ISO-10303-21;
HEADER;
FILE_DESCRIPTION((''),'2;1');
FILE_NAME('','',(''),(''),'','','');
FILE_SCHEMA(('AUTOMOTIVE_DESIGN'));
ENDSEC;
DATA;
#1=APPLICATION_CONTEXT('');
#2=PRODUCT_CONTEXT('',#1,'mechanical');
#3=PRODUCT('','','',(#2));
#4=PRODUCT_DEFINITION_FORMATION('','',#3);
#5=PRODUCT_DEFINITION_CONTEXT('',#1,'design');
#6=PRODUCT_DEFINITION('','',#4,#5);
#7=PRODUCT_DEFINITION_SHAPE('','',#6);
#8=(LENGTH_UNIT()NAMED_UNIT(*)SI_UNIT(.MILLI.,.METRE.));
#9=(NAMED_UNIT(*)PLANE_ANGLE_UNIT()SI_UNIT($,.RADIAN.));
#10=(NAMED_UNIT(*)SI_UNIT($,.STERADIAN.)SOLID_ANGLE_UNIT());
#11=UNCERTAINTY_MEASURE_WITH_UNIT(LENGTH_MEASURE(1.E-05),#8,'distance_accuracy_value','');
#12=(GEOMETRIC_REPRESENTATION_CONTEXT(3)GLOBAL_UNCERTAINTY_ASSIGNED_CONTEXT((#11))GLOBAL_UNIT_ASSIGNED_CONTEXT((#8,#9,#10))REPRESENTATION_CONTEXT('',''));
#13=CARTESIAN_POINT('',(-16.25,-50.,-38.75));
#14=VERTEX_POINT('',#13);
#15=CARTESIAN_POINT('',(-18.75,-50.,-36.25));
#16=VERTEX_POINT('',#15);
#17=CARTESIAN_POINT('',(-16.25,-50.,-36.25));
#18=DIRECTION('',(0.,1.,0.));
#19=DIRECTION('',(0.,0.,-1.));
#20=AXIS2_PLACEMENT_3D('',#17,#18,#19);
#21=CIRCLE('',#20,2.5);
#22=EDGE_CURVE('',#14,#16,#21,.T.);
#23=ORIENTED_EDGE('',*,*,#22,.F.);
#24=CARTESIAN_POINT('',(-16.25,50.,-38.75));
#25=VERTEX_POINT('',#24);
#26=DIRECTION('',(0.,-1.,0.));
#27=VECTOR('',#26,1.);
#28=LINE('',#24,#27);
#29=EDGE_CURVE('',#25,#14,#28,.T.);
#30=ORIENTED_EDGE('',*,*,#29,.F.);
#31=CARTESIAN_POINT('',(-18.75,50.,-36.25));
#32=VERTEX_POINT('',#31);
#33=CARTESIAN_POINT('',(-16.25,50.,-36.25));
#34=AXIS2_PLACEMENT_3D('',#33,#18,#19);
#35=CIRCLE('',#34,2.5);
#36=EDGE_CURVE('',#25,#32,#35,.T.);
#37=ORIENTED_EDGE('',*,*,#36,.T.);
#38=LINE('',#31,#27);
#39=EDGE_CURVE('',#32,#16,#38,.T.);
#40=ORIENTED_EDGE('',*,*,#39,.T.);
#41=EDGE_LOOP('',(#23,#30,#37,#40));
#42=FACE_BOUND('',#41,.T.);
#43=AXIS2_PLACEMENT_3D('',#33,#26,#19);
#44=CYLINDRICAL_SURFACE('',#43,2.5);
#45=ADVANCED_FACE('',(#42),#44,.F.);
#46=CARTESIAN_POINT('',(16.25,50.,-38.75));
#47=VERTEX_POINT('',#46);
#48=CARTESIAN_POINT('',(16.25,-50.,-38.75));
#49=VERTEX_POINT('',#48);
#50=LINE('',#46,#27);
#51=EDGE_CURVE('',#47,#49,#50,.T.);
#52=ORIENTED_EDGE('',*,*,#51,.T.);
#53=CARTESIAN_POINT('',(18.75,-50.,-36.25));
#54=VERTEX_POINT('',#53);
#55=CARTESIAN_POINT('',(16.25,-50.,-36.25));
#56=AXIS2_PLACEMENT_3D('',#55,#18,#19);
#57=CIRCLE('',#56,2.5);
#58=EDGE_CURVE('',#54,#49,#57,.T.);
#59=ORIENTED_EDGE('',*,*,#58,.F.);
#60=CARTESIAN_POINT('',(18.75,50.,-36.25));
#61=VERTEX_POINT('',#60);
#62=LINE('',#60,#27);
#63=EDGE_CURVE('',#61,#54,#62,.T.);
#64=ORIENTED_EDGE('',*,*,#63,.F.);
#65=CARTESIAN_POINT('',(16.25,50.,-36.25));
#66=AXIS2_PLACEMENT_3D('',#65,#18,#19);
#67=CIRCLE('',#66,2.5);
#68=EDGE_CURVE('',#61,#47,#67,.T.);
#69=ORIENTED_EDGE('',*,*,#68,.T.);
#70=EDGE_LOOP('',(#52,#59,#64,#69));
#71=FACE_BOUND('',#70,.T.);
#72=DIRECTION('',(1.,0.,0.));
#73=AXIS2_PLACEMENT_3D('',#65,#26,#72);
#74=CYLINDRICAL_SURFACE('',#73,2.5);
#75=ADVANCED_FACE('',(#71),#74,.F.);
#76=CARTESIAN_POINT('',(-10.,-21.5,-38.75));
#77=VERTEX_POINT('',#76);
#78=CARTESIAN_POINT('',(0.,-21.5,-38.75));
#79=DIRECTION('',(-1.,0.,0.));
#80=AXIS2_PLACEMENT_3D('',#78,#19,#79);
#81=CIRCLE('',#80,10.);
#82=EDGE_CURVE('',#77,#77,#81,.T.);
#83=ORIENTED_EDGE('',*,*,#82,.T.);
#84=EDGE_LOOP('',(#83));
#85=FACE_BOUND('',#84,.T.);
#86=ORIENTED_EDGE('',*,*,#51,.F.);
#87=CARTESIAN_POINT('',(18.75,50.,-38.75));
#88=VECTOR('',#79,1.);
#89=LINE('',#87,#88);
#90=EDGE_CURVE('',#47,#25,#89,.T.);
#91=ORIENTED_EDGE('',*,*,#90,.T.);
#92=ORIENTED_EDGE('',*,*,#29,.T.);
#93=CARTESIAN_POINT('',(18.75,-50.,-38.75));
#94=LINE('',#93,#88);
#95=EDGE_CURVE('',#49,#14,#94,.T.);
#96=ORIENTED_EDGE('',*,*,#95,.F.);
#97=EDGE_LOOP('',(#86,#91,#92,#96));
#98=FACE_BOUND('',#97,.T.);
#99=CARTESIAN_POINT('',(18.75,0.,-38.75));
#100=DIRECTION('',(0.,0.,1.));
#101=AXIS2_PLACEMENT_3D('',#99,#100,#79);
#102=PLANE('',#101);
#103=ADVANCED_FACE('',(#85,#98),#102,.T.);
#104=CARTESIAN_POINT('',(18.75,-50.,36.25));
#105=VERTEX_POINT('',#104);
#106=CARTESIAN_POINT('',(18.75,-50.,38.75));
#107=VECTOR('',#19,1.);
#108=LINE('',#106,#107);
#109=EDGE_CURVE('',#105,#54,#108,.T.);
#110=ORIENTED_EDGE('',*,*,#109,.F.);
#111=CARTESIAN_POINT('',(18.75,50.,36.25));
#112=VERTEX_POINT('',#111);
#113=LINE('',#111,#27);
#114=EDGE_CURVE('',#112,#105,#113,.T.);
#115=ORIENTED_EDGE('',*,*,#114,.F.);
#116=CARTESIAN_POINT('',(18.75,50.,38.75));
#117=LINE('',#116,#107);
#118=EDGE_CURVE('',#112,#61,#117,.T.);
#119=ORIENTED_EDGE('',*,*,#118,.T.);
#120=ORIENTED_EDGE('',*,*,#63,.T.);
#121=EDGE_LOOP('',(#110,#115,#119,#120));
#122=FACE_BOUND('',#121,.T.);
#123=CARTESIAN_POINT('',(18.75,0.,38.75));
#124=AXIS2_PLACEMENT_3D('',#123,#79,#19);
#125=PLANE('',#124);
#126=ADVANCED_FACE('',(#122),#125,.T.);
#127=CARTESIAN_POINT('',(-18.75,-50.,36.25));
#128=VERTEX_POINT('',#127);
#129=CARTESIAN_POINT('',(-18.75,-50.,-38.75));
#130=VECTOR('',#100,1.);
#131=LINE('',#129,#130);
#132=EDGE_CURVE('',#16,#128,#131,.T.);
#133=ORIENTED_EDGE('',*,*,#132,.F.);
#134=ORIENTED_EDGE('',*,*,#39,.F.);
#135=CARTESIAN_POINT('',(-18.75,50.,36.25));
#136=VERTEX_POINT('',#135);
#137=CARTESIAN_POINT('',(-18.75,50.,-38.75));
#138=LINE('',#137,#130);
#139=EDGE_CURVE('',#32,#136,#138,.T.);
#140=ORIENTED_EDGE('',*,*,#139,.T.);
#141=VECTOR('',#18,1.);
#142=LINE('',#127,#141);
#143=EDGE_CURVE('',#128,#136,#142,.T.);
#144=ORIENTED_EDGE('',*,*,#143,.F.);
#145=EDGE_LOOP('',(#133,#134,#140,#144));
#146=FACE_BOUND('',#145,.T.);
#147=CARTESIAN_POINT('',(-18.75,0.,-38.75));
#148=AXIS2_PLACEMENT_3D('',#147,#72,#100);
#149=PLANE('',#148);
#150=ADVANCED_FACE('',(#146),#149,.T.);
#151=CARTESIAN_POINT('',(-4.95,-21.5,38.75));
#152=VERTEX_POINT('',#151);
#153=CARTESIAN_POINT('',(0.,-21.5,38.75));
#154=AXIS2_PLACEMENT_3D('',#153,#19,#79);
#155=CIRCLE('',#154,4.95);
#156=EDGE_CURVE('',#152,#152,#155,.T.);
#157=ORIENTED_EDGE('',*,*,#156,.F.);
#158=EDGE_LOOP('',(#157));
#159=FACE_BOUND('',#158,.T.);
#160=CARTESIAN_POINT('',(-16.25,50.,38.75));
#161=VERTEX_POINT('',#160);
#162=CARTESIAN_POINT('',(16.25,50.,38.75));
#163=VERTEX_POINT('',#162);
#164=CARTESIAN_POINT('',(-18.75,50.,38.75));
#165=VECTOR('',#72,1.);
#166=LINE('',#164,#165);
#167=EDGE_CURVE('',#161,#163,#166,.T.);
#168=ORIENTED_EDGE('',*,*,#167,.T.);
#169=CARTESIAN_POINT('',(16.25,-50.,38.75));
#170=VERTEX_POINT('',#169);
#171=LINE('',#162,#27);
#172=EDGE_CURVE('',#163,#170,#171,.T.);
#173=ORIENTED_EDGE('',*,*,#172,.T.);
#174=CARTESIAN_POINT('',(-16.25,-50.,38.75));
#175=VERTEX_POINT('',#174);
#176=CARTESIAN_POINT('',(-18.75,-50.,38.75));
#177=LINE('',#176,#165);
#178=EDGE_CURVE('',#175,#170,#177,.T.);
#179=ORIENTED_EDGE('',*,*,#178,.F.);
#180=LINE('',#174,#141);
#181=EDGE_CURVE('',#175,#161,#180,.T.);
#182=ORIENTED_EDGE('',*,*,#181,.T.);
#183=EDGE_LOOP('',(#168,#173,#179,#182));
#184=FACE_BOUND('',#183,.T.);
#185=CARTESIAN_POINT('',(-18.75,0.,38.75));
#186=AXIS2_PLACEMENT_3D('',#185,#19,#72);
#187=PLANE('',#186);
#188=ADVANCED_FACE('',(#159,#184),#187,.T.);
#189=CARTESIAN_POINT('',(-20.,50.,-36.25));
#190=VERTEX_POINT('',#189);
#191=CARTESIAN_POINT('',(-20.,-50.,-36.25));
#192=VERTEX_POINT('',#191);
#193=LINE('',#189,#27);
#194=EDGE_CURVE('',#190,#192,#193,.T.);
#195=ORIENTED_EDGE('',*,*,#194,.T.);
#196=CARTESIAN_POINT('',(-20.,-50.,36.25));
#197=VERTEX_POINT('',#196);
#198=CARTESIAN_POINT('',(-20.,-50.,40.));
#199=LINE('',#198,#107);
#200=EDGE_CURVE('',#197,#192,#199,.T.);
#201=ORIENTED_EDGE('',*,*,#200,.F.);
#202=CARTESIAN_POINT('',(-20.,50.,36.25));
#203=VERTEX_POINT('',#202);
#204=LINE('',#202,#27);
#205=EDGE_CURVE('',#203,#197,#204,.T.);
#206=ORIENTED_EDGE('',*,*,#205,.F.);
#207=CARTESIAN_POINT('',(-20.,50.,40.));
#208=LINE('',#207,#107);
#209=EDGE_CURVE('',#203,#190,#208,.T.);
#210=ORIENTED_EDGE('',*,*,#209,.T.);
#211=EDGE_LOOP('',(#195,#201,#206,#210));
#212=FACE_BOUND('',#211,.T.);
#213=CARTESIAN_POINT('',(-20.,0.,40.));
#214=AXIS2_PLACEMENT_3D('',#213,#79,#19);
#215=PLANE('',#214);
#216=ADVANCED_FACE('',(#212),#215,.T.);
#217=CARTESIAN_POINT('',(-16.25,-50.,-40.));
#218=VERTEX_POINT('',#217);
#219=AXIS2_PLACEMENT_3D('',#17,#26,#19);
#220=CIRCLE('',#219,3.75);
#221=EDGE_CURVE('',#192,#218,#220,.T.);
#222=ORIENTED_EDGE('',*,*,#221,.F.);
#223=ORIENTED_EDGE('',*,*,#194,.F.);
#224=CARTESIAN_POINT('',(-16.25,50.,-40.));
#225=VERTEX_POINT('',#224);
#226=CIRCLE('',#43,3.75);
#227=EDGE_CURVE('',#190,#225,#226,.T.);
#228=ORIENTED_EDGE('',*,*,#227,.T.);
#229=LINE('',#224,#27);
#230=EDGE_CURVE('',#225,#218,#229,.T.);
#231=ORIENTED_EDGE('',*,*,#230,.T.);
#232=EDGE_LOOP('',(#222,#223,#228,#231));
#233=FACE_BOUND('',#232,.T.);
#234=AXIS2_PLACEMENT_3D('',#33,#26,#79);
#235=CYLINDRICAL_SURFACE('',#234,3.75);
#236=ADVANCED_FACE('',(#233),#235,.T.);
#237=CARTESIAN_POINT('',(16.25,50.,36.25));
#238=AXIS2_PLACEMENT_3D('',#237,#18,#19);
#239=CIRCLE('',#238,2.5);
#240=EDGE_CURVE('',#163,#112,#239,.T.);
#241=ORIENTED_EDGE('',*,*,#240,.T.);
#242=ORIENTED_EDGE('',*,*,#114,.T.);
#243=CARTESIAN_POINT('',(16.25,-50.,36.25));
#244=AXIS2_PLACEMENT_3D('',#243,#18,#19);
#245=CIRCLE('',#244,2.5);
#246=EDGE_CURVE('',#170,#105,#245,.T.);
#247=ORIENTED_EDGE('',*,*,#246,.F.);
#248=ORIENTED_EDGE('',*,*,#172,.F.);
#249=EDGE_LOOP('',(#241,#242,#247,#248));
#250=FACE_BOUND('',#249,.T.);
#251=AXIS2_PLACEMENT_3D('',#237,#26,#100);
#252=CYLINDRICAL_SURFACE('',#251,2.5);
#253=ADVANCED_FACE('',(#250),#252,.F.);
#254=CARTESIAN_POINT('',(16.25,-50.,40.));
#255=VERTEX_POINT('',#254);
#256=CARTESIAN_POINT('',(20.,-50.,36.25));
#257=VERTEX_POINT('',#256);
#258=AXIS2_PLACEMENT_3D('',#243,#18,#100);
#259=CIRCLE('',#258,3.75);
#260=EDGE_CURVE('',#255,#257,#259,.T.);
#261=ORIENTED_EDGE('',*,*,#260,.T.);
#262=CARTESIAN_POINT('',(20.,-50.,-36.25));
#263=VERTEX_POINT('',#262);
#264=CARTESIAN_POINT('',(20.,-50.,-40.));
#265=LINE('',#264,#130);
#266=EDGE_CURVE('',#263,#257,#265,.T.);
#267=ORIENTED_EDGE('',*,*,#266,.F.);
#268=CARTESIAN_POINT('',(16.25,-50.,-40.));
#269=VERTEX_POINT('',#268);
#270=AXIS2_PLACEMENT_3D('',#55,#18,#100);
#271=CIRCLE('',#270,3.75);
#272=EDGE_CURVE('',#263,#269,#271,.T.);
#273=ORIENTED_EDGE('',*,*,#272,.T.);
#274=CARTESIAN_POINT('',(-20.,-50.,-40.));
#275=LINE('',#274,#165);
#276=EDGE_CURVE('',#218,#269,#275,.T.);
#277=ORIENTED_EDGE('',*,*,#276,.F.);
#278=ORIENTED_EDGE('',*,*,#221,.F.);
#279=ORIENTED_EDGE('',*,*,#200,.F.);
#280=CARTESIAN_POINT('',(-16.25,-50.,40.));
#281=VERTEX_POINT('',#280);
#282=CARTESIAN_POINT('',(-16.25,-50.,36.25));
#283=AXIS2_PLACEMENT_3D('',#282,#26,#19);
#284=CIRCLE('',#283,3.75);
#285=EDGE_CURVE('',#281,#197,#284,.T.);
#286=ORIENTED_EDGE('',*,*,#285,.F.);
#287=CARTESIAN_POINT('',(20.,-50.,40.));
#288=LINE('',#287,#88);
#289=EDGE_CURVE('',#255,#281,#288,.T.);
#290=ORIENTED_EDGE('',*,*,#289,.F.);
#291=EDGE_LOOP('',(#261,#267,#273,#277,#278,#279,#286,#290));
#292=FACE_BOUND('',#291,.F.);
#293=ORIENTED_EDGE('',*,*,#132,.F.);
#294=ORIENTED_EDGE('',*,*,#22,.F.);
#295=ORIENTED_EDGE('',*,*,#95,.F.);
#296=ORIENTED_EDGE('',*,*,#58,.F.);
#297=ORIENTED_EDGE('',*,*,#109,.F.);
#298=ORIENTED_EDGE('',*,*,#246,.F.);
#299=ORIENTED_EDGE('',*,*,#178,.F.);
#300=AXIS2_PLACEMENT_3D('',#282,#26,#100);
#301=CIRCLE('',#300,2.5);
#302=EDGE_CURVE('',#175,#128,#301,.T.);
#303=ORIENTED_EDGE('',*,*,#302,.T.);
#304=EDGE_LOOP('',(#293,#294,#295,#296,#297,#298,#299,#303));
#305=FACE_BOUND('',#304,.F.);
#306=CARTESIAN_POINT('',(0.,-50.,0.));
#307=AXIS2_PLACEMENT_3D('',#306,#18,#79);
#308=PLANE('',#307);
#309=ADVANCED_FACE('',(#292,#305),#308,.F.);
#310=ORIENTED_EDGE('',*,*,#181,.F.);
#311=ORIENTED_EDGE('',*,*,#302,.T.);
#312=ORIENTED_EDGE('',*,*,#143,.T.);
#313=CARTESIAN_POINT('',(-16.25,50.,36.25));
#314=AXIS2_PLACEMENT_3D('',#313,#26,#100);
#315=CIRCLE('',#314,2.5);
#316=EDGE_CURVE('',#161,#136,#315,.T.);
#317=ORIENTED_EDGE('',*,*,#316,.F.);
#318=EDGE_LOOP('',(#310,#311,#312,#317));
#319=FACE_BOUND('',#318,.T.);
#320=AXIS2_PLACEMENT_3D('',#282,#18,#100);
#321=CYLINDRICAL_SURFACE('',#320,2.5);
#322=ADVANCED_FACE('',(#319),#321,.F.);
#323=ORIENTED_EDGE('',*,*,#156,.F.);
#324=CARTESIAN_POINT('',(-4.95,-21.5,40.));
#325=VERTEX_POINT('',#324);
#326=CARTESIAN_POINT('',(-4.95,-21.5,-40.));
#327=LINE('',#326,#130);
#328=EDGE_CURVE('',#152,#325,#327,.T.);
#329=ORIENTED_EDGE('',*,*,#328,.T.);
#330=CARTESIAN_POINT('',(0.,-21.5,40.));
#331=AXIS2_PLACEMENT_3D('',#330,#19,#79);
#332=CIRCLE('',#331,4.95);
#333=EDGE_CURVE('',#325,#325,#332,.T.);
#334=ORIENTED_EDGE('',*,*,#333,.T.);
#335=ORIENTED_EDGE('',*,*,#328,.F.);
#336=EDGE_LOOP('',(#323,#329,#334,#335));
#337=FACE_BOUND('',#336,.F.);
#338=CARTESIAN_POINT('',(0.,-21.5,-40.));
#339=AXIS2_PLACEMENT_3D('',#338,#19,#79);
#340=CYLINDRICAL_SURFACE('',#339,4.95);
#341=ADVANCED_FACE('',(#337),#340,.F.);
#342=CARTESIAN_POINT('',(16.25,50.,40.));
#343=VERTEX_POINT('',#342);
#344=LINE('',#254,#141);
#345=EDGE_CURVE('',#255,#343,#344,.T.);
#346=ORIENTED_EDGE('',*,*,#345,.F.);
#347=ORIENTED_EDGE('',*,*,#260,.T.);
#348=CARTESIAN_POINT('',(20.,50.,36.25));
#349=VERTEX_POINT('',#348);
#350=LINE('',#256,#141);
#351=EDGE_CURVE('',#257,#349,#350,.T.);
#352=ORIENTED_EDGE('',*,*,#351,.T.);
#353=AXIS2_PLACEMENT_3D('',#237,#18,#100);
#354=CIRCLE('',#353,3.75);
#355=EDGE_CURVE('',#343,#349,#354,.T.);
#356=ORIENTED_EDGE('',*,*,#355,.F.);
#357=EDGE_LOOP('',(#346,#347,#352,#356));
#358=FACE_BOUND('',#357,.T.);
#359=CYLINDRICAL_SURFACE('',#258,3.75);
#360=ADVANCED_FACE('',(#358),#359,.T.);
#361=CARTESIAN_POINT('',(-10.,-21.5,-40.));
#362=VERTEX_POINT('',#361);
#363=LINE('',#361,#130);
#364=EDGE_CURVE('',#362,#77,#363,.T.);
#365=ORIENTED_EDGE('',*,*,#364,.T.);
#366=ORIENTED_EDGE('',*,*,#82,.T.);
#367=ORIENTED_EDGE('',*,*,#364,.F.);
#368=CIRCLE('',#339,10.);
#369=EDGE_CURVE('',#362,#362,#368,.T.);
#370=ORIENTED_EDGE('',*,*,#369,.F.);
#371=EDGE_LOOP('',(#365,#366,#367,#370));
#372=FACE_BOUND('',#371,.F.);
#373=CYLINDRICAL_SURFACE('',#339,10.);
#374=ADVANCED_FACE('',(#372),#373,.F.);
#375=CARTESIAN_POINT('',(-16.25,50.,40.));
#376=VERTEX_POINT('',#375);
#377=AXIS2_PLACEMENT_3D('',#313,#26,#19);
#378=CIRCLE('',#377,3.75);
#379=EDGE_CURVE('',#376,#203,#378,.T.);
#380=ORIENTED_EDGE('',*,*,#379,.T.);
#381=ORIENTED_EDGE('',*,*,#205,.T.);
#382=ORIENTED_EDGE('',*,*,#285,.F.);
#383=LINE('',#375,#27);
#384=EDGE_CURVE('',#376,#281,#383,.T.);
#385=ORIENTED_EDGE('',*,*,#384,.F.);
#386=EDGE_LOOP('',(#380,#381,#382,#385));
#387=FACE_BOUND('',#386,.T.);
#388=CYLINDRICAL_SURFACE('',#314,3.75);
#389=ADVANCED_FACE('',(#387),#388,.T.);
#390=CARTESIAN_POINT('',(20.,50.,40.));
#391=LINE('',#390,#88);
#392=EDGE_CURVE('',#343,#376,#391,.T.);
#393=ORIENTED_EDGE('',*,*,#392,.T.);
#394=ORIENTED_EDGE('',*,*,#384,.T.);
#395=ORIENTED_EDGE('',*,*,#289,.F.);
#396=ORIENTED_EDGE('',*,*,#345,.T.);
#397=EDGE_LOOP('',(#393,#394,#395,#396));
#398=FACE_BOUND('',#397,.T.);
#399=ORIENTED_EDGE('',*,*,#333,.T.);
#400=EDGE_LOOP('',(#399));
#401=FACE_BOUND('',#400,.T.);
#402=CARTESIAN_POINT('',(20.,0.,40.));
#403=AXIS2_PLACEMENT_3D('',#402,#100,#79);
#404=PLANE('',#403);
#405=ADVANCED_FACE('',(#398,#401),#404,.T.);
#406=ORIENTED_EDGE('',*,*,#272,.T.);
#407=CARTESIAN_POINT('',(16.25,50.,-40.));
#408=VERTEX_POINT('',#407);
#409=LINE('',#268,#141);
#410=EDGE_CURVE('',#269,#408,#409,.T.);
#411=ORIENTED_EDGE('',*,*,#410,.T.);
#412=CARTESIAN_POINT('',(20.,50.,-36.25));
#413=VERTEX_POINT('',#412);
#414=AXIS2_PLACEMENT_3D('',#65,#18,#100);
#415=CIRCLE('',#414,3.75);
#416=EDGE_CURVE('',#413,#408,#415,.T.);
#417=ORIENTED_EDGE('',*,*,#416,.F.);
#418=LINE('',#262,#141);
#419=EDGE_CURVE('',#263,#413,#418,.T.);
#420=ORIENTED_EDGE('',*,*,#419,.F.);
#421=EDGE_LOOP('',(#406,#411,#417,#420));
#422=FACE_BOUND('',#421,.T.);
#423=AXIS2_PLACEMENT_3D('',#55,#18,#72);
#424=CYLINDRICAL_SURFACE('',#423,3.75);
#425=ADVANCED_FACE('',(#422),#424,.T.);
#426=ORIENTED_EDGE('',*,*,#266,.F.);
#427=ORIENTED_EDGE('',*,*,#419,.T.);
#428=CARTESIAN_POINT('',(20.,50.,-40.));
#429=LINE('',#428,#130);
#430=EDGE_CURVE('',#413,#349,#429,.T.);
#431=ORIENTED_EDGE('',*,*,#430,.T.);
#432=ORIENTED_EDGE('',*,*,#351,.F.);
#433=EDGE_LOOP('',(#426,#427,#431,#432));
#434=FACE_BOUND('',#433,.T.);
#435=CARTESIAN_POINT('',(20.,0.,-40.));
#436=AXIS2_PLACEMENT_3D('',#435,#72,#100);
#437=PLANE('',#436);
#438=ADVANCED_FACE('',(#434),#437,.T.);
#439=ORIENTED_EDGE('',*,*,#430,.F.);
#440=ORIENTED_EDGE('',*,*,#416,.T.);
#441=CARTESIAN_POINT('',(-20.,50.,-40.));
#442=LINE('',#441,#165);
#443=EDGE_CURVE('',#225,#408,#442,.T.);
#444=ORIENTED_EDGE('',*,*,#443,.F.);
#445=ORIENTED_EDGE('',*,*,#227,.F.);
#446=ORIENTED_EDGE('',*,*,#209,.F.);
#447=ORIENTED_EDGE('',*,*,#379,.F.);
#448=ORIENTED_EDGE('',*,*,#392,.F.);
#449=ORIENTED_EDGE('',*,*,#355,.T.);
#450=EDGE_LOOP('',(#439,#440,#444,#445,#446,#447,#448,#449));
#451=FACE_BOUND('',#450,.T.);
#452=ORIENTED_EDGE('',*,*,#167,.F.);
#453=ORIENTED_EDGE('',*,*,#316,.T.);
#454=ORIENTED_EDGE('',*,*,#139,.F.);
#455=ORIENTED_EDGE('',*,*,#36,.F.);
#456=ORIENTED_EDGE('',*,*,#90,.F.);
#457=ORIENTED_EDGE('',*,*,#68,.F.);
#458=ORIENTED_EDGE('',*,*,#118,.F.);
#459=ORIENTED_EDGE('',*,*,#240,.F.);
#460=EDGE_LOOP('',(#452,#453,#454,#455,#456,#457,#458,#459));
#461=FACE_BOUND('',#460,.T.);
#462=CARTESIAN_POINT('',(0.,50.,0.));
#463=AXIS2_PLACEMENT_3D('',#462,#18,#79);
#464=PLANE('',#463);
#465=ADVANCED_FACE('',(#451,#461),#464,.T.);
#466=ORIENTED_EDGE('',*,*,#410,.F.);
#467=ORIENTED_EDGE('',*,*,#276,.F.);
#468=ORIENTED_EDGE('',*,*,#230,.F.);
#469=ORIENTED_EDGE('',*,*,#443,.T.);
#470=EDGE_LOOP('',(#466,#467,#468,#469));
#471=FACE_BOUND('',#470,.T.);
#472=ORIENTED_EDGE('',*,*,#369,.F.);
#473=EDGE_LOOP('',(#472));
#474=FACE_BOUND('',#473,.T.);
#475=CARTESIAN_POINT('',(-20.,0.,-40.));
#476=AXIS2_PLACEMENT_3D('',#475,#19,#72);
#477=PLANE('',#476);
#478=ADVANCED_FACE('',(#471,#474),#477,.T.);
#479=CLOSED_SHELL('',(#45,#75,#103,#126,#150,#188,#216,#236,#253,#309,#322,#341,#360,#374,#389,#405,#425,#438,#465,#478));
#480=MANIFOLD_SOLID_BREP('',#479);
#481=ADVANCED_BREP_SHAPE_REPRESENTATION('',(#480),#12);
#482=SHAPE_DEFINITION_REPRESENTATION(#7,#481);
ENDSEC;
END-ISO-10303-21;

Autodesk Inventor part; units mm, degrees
ref_plane "YZ Plane" through (0, 0, 0) normal (1, 0, 0) x (0, 1, 0)
ref_plane "XZ Plane" through (0, 0, 0) normal (0, 1, 0) x (-1, 0, 0)
ref_plane "XY Plane" through (0, 0, 0) normal (0, 0, 1) x (1, 0, 0)
sketch "Sketch1" plane through (0, 0, 0) normal (0, 1, 0) x (-1, 0, 0)
  line L0 (-20, 40) -> (20, 40)
  line L1 (20, 40) -> (20, -40)
  line L2 (20, -40) -> (-20, -40)
  line L3 (-20, -40) -> (-20, 40)
  line L4 (-20, 40) -> (20, -40) construction
  line L5 (20, 40) -> (-20, -40) construction
  line L6 (-17.5, 37.5) -> (17.5, -37.5) construction
  line L7 (18.764, 38.7789) -> (-17.2638, -35.6785) construction
  line L8 (18.75, 38.75) -> (-18.75, 38.75)
  line L9 (-18.75, 38.75) -> (-18.75, -38.75)
  line L10 (-18.75, -38.75) -> (18.75, -38.75)
  line L11 (18.75, -38.75) -> (18.75, 38.75)
  line L12 (18.75, 38.75) -> (-18.75, -38.75) construction
  line L13 (-18.75, 38.75) -> (18.75, -38.75) construction
  point P0 (0, 0)
  dimension "d0" = 40
  dimension "d1" = 80
  dimension "d33" = 37.5
  dimension "d34" = 77.5
extrude "Extrusion1" add sketch "Sketch1" along normal mid plane 100
fillet "Fillet1" radius 3.75 4 edges at (20, 0, -40) (20, 0, 40) (-20, 0, -40) (-20, 0, 40)
fillet "Fillet1" radius 2.5 4 edges at (-18.75, 0, -38.75) (18.75, 0, 38.75) (18.75, 0, -38.75) (-18.75, 0, 38.75)
sketch "Sketch2" plane through (16.25, 50, -40) normal (0, 0, -1) x (-1, 0, 0)
  line L0 (32.5, -100) -> (0, -100) projected
  line L1 (16.25, -100) -> (16.25, -71.5)
  circle A0 centre (16.25, -71.5) radius 4.95
  circle A1 centre (16.25, -71.5) radius 10
  point P0 (16.25, -50)
  dimension "d10" = 28.5
  dimension "d11" = 9.9
  dimension "d12" = 20
extrude "Extrusion2" cut sketch "Sketch2" against normal through all contours A0
sketch "Sketch3" plane through (16.25, 50, -40) normal (0, 0, -1) x (-1, 0, 0)
  circle A0 centre (16.25, -71.5) radius 4.95 projected
  circle A1 centre (16.25, -71.5) radius 10
  point P0 (16.25, -50)
  dimension "d15" = 20
extrude "Extrusion3" cut sketch "Sketch3" against normal blind 10
properties part number "tubo1-40x40x640" material "Aluminum"
